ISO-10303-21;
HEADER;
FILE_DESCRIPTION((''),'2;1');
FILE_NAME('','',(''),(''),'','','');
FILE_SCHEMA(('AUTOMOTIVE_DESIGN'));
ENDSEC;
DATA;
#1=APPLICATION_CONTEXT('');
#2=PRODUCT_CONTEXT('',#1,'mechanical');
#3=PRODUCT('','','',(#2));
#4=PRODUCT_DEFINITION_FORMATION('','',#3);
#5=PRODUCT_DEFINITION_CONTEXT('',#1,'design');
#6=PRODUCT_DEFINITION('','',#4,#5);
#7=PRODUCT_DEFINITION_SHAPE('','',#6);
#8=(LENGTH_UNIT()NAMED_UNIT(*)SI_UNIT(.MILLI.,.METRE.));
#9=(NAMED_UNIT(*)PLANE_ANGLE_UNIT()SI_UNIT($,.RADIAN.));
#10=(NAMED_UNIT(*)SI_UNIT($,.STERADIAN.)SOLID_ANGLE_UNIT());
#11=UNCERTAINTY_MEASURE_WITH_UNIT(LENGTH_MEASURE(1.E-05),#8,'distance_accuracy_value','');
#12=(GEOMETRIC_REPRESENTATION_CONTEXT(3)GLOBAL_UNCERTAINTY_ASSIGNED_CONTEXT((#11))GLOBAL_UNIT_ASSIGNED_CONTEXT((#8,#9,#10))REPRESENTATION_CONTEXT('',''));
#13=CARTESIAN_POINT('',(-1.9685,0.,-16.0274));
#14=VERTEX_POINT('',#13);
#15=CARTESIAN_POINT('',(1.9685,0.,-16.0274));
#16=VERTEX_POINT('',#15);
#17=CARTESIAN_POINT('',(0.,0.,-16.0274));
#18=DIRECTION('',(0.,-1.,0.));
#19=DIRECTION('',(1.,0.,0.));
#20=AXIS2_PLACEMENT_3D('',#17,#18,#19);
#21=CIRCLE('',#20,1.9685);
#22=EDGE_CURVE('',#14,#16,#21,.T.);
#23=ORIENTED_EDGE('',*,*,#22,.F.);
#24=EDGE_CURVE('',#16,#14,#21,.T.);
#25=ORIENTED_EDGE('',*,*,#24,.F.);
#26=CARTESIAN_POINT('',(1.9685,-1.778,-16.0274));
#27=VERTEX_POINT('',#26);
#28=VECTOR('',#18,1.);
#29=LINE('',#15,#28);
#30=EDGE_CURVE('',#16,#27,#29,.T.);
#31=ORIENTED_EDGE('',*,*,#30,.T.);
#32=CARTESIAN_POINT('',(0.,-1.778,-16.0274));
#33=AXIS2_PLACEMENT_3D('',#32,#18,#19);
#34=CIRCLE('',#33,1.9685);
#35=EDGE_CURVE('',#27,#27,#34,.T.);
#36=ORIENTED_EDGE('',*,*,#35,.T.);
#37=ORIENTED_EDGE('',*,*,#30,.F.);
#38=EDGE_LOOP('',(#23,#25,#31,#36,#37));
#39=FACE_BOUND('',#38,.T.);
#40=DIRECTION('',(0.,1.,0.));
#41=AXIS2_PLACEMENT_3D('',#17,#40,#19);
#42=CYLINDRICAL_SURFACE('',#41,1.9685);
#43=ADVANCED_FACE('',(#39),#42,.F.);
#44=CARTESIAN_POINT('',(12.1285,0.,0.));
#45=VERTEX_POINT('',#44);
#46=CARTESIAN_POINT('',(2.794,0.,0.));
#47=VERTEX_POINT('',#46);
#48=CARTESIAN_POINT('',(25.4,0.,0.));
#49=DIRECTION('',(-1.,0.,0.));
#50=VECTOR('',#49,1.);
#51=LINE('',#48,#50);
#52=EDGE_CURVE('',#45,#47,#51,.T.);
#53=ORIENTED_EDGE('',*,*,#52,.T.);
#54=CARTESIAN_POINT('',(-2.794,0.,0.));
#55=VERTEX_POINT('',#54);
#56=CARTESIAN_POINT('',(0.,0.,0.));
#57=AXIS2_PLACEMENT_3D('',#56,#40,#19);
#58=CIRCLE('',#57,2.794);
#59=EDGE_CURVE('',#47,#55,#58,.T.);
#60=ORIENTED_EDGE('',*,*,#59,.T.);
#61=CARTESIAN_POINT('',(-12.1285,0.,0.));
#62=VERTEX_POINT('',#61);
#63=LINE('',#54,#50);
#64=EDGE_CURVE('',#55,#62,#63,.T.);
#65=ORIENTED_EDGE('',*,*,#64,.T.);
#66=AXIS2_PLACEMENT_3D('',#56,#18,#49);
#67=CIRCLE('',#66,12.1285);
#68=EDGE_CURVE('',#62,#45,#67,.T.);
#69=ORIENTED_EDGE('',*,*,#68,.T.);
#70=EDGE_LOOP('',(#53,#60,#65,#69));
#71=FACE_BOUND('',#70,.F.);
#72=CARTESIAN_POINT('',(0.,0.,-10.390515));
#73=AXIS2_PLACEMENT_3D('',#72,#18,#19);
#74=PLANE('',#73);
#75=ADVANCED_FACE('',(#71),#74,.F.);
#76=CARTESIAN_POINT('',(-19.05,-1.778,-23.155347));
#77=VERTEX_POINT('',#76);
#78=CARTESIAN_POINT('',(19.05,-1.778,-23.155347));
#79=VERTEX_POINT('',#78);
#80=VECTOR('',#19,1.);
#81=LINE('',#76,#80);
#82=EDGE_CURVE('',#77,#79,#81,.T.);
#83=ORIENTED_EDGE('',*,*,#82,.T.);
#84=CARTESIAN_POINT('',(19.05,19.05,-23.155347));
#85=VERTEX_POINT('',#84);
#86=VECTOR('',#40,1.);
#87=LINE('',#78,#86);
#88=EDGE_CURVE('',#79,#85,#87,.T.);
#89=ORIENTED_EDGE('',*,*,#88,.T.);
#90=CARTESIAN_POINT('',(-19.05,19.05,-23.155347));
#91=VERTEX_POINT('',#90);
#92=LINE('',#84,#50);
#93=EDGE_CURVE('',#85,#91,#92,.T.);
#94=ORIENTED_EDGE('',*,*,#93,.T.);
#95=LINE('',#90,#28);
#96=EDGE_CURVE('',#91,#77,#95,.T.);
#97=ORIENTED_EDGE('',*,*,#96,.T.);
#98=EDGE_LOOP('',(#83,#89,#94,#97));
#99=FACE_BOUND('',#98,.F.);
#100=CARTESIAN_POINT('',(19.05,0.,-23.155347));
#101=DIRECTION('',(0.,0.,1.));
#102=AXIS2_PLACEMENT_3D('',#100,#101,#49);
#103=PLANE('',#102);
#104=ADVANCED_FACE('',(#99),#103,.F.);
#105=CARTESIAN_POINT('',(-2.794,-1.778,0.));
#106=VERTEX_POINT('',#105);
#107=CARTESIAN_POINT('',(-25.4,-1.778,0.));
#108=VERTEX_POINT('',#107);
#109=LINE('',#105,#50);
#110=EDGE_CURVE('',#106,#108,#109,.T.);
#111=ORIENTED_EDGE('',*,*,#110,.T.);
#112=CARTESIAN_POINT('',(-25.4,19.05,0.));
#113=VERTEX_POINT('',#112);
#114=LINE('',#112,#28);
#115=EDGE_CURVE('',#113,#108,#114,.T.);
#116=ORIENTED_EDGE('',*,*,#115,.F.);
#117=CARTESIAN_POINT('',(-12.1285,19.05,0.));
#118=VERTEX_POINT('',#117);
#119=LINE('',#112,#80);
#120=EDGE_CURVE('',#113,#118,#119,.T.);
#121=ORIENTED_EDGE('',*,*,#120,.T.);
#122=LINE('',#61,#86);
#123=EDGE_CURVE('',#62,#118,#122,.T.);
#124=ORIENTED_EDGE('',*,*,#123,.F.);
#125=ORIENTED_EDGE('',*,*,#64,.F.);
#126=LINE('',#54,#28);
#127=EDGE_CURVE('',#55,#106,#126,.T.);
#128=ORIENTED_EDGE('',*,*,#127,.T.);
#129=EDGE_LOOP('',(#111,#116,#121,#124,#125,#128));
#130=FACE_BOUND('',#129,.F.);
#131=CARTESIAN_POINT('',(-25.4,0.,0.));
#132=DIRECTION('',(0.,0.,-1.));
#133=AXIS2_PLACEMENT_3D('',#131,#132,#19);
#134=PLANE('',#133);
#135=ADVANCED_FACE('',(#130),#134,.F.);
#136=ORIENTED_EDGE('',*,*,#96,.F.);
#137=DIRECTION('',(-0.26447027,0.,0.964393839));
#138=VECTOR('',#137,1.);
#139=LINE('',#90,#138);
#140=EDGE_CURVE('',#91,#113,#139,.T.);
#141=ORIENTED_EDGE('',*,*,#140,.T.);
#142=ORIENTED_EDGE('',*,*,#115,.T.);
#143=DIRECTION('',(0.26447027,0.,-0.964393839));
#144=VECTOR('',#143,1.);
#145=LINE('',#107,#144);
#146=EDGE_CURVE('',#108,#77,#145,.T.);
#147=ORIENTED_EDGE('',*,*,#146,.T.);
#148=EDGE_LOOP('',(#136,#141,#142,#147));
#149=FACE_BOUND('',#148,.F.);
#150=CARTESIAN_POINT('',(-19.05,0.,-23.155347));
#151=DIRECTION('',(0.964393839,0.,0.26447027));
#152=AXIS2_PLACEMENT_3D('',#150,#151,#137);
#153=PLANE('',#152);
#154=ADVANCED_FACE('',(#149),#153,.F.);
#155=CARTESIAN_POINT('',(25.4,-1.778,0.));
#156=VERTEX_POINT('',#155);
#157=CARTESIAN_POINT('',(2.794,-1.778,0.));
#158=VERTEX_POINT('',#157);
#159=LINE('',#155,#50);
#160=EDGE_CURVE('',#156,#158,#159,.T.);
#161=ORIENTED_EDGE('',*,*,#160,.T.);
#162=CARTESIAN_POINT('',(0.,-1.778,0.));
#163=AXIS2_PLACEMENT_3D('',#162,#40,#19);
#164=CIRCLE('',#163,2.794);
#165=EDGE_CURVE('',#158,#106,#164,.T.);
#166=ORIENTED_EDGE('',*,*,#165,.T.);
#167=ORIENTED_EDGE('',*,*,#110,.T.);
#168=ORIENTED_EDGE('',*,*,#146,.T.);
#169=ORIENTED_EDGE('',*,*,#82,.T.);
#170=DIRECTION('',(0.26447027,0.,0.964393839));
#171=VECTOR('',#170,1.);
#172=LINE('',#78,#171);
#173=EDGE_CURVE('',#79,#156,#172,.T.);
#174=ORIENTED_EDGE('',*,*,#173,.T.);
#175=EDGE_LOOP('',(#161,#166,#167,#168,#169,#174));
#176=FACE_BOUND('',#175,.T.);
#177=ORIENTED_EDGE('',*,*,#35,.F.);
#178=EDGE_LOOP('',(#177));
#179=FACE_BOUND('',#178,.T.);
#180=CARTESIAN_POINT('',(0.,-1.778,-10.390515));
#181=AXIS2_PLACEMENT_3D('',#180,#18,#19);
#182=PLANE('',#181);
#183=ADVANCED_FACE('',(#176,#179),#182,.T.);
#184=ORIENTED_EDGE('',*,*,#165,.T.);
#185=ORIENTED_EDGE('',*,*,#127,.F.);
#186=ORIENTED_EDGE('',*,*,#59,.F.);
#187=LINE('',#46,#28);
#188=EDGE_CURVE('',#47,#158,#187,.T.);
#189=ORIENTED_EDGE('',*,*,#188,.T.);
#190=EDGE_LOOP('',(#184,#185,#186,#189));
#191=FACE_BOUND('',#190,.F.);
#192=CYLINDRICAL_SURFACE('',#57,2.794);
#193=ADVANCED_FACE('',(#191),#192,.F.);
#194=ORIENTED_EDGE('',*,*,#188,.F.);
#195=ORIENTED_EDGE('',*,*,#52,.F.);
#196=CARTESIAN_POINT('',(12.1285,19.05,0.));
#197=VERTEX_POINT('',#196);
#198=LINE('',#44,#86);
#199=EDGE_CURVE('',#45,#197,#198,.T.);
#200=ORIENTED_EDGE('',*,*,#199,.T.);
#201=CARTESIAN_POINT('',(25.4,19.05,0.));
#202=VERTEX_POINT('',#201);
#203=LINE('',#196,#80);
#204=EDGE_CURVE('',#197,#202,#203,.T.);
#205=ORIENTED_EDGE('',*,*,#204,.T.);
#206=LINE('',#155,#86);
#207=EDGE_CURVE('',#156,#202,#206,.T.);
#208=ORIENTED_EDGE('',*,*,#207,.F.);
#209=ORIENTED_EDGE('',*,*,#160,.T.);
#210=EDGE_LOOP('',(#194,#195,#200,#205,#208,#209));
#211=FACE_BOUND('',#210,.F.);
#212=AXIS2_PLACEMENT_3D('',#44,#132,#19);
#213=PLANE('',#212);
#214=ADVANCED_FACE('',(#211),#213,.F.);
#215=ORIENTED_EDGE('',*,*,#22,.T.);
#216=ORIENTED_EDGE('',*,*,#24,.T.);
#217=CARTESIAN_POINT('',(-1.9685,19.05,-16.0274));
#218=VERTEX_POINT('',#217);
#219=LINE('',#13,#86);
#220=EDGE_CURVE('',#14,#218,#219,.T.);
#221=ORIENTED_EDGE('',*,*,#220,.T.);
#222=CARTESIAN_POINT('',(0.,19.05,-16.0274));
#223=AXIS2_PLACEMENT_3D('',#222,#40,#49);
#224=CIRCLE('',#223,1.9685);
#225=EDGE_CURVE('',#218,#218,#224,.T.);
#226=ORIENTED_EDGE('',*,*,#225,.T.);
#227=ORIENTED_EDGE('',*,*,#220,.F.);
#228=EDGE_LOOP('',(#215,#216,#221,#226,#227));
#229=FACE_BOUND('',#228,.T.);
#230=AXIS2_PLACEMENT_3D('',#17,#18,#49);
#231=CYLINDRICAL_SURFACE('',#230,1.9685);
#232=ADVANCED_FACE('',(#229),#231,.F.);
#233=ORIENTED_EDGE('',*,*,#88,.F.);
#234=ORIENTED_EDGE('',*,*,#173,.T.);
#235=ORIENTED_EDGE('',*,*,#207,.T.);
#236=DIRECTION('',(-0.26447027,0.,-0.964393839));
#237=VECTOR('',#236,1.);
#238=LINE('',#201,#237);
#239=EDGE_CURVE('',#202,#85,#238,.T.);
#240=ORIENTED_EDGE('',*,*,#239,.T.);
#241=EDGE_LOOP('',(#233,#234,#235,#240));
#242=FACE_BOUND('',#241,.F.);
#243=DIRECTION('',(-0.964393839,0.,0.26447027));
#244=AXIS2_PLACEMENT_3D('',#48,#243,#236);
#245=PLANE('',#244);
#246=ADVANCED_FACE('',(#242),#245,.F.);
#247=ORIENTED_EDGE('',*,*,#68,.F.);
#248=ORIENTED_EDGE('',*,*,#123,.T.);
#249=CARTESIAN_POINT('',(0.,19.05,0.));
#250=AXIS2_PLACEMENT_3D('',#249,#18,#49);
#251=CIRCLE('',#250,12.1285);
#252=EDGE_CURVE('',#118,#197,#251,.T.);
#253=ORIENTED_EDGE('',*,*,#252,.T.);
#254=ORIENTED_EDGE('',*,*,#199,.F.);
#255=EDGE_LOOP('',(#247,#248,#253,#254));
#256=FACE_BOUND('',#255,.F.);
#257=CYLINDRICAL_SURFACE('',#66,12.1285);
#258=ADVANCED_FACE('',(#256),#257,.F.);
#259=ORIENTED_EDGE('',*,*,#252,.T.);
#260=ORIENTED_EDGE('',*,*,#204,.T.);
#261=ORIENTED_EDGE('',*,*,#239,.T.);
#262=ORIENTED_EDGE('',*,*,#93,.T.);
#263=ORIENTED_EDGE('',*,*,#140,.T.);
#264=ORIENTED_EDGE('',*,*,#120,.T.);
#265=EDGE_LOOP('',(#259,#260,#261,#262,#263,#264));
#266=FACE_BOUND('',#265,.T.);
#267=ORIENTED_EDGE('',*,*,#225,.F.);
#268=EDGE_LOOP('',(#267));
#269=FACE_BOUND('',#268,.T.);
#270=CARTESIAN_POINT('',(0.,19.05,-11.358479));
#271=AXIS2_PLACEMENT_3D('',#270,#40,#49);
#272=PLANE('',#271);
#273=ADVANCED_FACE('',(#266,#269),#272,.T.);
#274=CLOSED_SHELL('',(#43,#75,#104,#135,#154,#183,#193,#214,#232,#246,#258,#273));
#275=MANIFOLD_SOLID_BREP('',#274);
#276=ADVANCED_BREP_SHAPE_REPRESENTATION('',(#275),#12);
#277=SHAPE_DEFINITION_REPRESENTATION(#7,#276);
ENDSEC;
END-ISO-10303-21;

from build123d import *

# Parameters (mm, degrees)
F0_R     = 1.9685
F1_DEPTH = 1.778
F2_R     = 1.9685
F3_DEPTH = 19.05


with BuildPart() as f1:
    # F0 (on Front) → F1 (new body)
    with BuildSketch(Plane.XZ):
        with BuildLine():
            ThreePointArc((2.794, 0), (0, -2.794), (-2.794, 0))
            Line((-2.794, 0), (-25.4, 0))
            Line((-25.4, 0), (-19.05, -23.155347))
            Line((-19.05, -23.155347), (0, -23.155347))
            Line((0, -23.155347), (19.05, -23.155347))
            Line((19.05, -23.155347), (25.4, 0))
            Line((25.4, 0), (2.794, 0))
        make_face()
        with Locations((0, -16.0274)):
            Circle(F0_R, mode=Mode.SUBTRACT)
    extrude(amount=F1_DEPTH)

    # F2 (on face) → F3 (join)
    with BuildSketch(Plane(origin=(0, 0, 0), x_dir=(-1, 0, 0), z_dir=(0, 1, 0))):
        with BuildLine():
            ThreePointArc((12.1285, 0), (0, -12.1285), (-12.1285, 0))
            Line((-12.1285, 0), (-25.4, 0))
            Line((-25.4, 0), (-19.05, -23.155347))
            Line((-19.05, -23.155347), (19.05, -23.155347))
            Line((19.05, -23.155347), (25.4, 0))
            Line((25.4, 0), (12.1285, 0))
        make_face()
        with Locations((0, -16.0274)):
            Circle(F2_R, mode=Mode.SUBTRACT)
    extrude(amount=F3_DEPTH)


solid = f1.part
